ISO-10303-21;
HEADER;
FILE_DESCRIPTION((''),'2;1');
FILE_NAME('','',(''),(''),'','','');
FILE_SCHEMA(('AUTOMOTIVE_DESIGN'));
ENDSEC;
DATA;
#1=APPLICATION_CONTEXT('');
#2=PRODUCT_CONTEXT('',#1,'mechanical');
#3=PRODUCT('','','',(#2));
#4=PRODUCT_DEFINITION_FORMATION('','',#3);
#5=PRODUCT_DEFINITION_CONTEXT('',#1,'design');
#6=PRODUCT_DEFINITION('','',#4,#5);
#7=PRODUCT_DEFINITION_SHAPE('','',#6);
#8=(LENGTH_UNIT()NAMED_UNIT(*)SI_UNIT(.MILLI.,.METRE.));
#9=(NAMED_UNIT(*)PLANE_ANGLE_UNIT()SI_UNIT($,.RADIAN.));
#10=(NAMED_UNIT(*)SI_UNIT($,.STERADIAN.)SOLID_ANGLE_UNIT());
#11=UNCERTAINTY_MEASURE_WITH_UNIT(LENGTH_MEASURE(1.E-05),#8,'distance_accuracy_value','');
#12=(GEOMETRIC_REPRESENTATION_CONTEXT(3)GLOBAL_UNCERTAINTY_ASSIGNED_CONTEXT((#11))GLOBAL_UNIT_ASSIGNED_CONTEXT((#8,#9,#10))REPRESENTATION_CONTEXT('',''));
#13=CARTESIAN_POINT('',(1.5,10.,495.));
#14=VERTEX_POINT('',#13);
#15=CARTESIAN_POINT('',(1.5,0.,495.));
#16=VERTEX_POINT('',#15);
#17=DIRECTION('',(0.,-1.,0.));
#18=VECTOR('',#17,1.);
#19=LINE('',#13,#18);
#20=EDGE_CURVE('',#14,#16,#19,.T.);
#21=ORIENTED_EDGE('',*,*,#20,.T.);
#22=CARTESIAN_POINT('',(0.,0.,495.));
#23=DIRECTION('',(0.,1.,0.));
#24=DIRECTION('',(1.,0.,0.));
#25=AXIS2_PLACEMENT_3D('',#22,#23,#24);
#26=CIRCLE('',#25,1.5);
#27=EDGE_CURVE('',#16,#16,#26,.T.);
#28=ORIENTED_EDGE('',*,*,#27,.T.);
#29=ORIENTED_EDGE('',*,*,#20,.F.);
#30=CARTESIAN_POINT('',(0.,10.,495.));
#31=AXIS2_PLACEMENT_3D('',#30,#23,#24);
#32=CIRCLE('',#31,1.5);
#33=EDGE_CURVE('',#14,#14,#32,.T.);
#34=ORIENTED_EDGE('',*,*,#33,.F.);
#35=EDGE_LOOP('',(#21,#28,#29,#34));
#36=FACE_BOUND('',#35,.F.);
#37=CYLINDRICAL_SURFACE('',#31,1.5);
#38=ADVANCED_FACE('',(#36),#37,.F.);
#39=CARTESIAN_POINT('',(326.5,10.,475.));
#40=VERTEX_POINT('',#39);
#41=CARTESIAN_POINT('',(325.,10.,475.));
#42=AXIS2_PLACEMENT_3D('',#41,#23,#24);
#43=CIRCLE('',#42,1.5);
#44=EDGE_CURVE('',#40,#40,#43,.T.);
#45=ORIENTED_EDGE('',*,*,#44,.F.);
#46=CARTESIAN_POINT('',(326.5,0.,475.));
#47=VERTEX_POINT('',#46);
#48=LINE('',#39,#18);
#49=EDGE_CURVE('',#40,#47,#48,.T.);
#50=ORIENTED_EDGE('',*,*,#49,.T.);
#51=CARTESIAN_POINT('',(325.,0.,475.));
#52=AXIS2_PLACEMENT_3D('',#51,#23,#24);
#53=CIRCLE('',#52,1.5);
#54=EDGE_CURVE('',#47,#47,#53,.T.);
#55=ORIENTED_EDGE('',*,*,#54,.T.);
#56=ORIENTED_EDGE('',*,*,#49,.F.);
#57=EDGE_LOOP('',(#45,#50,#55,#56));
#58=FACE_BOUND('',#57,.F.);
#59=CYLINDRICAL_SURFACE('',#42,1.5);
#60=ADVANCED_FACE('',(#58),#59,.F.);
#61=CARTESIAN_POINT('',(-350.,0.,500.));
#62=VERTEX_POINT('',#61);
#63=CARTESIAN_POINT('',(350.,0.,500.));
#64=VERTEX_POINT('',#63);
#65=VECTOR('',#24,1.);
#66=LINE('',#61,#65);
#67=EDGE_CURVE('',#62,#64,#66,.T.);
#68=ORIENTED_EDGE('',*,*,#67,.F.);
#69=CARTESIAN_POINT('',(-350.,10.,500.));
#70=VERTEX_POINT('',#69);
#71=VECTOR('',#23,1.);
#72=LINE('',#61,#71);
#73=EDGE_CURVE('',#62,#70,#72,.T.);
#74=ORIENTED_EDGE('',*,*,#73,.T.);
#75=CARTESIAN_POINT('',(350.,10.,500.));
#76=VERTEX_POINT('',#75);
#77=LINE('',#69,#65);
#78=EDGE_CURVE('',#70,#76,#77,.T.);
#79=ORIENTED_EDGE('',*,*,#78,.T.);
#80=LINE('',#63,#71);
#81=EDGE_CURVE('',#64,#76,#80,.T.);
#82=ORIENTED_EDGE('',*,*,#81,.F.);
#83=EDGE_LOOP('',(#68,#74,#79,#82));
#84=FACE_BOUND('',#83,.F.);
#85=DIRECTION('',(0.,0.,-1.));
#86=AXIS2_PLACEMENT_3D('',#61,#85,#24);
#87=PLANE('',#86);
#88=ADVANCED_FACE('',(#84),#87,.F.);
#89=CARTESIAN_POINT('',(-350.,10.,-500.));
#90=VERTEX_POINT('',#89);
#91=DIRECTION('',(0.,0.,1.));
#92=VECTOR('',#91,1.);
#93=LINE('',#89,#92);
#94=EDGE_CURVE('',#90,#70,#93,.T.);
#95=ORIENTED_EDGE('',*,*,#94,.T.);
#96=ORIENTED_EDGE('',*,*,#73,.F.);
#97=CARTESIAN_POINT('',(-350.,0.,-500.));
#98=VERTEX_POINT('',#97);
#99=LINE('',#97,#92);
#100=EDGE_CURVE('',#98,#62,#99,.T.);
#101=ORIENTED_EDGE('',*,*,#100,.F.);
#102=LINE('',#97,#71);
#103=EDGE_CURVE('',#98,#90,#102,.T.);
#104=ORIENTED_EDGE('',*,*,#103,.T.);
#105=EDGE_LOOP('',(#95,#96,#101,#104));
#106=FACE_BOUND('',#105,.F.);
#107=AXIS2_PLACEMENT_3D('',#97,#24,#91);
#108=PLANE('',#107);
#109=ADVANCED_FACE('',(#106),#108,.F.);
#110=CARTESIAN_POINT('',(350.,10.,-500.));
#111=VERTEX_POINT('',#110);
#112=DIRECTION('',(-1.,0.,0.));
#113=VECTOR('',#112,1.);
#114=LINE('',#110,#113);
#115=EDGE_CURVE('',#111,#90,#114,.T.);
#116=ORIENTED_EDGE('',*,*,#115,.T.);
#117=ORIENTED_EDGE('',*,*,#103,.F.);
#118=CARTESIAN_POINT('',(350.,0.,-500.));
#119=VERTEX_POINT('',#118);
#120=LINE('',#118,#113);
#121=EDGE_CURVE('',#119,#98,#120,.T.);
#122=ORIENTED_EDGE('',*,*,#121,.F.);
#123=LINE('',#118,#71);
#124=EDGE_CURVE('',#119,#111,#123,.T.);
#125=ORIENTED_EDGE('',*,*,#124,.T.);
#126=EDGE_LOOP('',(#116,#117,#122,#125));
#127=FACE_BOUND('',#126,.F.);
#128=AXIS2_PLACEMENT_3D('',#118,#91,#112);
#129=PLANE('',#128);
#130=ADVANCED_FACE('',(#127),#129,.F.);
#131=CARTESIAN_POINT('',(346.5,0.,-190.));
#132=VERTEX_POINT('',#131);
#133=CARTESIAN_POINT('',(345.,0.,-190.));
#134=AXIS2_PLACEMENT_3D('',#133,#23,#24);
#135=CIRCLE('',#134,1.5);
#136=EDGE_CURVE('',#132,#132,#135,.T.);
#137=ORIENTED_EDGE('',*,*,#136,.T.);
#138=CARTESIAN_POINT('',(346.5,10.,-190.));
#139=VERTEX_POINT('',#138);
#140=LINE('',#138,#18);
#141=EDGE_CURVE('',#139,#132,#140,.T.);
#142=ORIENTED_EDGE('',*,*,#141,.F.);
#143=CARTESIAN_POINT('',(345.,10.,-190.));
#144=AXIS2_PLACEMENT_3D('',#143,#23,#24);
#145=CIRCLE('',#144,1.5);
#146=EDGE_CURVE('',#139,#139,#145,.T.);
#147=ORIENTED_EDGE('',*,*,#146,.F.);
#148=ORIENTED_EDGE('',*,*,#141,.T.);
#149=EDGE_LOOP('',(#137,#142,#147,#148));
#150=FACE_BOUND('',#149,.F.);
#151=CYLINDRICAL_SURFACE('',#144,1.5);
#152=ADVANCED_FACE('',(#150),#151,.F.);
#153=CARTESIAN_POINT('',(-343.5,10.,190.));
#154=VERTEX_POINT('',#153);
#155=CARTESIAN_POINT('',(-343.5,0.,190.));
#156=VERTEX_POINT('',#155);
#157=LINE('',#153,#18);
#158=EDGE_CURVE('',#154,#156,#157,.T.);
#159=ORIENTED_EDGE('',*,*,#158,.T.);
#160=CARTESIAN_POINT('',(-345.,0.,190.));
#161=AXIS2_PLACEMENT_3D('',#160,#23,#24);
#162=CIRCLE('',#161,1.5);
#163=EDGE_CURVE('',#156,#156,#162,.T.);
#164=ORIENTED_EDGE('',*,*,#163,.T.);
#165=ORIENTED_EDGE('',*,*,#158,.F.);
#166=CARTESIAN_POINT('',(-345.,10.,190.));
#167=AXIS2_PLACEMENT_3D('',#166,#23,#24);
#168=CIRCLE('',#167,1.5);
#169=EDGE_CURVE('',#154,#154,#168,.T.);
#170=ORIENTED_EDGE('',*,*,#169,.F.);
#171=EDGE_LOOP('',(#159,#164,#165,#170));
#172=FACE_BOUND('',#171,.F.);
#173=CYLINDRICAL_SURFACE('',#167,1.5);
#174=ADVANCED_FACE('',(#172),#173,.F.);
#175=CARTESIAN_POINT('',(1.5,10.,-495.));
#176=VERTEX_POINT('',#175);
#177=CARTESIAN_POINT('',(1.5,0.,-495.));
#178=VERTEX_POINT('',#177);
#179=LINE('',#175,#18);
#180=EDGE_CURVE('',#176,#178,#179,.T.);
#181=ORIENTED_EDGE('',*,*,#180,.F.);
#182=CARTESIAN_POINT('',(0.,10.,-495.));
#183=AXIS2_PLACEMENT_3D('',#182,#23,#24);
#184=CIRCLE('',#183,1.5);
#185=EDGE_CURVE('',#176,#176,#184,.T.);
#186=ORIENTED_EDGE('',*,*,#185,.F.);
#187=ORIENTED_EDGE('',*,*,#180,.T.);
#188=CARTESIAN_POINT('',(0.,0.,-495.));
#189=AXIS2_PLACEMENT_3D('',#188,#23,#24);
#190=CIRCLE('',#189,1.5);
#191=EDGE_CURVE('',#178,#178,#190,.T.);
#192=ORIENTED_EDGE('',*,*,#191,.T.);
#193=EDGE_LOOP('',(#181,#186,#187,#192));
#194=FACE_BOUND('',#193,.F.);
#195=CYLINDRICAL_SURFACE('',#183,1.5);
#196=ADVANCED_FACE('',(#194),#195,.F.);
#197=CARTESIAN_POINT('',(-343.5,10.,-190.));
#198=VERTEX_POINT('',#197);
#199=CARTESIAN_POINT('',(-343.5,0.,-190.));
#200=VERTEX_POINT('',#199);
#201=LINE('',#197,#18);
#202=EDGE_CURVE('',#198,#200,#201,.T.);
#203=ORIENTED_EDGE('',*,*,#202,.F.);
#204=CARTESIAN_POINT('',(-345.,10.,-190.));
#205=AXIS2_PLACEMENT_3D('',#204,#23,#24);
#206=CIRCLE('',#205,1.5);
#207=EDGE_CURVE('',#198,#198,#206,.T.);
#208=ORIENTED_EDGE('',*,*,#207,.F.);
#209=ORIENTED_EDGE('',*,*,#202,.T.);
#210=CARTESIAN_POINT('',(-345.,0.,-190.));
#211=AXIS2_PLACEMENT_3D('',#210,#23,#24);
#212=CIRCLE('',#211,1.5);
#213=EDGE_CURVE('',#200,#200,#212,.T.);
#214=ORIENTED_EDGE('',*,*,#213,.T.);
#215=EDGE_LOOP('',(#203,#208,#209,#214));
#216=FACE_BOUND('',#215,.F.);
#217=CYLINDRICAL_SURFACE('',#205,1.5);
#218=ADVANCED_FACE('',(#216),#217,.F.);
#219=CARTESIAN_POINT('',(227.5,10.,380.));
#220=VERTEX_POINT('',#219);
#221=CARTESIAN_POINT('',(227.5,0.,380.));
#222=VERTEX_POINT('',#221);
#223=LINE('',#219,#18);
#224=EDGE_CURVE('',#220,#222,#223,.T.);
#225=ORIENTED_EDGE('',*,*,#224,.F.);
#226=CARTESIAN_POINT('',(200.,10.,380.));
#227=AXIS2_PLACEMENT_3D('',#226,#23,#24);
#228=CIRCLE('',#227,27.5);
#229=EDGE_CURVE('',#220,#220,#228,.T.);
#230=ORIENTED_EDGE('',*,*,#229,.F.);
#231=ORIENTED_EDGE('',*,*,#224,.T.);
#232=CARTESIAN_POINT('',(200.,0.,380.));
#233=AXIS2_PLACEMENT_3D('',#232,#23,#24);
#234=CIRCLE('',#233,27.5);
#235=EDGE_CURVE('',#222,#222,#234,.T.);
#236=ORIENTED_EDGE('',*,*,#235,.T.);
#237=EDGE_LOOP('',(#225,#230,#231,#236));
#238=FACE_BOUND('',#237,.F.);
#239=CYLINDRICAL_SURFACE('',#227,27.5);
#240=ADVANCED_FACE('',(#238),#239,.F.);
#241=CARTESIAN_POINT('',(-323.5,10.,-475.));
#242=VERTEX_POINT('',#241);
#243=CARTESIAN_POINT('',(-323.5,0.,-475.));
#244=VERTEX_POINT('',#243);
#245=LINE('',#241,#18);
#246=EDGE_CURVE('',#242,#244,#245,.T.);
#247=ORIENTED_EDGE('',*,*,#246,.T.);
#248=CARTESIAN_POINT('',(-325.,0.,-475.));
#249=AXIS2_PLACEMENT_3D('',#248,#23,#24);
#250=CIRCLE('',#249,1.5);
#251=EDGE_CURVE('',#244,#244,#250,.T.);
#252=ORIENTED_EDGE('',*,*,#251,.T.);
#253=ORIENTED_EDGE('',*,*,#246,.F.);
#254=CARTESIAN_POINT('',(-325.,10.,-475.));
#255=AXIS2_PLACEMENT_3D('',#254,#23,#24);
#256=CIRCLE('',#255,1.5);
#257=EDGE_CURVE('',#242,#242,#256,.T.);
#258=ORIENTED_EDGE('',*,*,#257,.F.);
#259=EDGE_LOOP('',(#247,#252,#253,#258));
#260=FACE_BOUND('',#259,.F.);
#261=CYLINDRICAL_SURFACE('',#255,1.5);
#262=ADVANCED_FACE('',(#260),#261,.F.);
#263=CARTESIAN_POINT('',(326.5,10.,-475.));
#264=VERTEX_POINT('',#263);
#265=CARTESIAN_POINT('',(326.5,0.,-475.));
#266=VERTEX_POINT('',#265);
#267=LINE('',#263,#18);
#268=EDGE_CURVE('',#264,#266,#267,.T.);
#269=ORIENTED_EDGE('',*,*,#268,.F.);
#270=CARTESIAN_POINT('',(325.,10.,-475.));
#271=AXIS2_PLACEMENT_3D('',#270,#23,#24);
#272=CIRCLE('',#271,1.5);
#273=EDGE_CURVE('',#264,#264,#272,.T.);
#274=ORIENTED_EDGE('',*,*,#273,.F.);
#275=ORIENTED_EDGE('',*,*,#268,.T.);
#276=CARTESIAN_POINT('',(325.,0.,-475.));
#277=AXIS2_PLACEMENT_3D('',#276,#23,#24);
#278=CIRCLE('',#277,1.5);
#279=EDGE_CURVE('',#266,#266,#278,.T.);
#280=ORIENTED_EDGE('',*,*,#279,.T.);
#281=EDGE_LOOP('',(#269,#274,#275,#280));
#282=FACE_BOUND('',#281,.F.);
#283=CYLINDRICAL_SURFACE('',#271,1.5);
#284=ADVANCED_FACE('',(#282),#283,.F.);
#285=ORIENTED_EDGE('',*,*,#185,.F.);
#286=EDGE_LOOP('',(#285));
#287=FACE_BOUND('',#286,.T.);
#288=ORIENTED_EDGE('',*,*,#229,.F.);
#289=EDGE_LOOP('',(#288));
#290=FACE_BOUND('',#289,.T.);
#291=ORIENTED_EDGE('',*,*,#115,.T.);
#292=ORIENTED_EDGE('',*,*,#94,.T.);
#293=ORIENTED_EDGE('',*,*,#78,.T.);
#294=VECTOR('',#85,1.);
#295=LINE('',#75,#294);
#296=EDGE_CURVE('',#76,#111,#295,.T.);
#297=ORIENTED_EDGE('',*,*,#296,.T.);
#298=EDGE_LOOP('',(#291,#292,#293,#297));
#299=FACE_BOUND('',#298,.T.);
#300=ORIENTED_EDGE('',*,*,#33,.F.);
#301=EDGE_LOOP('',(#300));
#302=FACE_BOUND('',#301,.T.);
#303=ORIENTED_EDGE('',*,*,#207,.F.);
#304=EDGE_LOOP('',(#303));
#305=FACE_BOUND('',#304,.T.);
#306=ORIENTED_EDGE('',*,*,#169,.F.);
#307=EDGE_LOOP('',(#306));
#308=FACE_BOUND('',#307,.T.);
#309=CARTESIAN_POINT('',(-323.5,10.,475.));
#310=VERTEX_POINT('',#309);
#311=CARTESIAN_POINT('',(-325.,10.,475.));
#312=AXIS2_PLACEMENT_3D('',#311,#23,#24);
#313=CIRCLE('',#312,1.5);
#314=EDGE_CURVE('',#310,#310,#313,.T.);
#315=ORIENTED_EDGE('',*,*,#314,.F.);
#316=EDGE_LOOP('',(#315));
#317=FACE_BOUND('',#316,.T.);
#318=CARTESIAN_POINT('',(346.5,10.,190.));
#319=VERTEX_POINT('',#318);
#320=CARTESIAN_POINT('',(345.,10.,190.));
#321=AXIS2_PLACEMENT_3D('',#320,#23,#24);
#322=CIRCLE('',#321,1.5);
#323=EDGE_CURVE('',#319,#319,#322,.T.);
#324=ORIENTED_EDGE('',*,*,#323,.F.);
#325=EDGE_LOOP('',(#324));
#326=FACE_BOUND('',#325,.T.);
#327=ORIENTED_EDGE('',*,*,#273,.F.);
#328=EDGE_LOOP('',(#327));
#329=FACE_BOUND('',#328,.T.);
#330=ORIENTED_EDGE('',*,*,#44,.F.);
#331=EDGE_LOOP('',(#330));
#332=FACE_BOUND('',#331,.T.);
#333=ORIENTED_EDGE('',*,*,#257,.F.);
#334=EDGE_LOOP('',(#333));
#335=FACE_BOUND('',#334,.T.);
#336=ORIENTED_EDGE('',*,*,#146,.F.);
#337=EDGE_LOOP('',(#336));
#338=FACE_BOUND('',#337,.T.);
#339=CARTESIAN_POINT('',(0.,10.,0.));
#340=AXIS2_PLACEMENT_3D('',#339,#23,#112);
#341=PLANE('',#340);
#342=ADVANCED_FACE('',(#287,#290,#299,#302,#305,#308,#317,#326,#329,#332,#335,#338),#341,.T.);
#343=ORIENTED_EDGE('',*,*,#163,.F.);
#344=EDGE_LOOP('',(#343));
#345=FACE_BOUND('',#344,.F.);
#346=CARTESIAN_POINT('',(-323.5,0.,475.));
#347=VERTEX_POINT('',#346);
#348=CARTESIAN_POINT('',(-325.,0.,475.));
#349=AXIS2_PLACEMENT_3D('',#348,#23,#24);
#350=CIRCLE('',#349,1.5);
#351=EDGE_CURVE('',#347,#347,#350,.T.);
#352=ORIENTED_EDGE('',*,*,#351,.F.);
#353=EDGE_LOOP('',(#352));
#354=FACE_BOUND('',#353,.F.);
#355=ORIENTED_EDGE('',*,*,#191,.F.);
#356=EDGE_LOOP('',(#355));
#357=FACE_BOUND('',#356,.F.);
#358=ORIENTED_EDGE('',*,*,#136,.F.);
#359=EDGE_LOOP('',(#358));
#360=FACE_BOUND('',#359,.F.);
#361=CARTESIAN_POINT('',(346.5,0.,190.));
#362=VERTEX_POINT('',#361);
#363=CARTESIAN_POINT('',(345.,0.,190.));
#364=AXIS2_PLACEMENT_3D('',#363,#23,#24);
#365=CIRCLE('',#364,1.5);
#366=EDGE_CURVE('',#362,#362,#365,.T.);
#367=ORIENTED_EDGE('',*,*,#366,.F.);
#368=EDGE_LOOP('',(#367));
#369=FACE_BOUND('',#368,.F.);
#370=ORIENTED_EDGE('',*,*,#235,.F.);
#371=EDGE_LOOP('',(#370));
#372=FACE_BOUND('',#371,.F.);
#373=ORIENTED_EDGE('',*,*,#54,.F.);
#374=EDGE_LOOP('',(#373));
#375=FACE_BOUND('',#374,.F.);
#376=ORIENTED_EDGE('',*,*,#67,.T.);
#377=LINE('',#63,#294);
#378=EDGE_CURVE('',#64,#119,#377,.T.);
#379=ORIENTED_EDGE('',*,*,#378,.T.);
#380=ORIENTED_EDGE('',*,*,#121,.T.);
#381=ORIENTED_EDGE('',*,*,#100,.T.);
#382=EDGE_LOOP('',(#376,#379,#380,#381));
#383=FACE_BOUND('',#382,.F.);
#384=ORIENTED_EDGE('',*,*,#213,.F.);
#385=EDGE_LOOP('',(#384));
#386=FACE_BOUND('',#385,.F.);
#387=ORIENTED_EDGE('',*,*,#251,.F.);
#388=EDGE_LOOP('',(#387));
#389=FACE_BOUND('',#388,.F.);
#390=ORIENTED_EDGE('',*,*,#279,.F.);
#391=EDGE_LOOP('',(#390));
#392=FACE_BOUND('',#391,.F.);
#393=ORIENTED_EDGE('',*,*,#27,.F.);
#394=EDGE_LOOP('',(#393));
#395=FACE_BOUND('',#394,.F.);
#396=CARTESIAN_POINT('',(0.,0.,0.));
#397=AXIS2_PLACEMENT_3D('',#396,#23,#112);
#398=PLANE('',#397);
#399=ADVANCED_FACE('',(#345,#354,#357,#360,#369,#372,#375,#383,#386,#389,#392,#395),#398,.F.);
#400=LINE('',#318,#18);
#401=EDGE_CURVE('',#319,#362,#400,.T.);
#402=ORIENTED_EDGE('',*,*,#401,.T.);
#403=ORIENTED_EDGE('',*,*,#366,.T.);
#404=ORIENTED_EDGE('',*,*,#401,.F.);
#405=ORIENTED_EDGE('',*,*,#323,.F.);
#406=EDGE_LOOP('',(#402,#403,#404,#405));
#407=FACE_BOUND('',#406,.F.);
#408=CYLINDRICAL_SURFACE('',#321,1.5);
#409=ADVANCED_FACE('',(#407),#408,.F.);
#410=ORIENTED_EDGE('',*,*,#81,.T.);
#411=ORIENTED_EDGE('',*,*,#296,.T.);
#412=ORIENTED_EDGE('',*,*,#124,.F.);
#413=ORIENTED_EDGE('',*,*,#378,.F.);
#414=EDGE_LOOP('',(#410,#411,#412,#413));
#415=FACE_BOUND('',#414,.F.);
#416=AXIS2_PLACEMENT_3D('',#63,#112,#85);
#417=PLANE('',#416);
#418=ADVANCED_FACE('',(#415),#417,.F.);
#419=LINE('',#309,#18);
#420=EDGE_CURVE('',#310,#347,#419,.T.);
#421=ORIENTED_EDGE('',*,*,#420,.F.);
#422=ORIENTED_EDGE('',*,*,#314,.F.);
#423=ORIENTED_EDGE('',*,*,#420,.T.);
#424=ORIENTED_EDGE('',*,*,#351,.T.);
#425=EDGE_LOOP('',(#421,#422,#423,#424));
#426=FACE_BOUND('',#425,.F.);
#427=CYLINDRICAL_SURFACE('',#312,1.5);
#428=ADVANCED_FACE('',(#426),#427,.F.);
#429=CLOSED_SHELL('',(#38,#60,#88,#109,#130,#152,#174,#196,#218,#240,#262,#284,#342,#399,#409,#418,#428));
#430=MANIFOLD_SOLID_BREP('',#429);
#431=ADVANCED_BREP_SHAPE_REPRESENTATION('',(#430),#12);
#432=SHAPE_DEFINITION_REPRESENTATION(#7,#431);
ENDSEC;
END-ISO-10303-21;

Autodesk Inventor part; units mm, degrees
ref_plane "YZ Plane" through (0, 0, 0) normal (1, 0, 0) x (0, 1, 0)
ref_plane "XZ Plane" through (0, 0, 0) normal (0, 1, 0) x (-1, 0, 0)
ref_plane "XY Plane" through (0, 0, 0) normal (0, 0, 1) x (1, 0, 0)
sketch "Esquisse1" plane through (0, 0, 0) normal (0, 1, 0) x (-1, 0, 0)
  line L0 (350, 500) -> (-350, 500)
  line L1 (-350, 500) -> (-350, -500)
  line L2 (-350, -500) -> (350, -500)
  line L3 (350, -500) -> (350, 500)
  point P0 (0, 0)
  dimension "d0" = 1000
  dimension "d1" = 700
  dimension "d2" = 350
  dimension "d3" = 500
extrude "Extrusion1" add sketch "Esquisse1" along normal blind 10
sketch "Esquisse2" plane through (0, 10, 0) normal (0, 1, 0) x (1, 0, 0)
  point P0 (0, 0)
sketch "Esquisse3" plane through (0, 10, 0) normal (0, 1, 0) x (1, 0, 0)
  point P0 (0, 0)
sketch "Esquisse4" plane through (0, 10, 0) normal (0, 1, 0) x (1, 0, 0)
  circle A0 centre (200, -380) radius 27.5
  line L0 (-350, -500) -> (350, -500) projected
  line L1 (350, -500) -> (350, 500) projected
  point P0 (0, 0)
  dimension "d6" = 55
  dimension "d7" = 120
  dimension "d8" = 150
extrude "Extrusion2" cut sketch "Esquisse4" against normal through all
sketch "Esquisse5" plane through (0, 10, 0) normal (0, 1, 0) x (1, 0, 0)
  circle A0 centre (-325, -475) radius 1.5
  circle A1 centre (325, -475) radius 1.5
  circle A2 centre (325, 475) radius 1.5
  circle A3 centre (-325, 475) radius 1.5
  line L0 (350, 500) -> (-350, 500) projected
  line L1 (350, -500) -> (350, 500) projected
  line L2 (-350, 500) -> (-350, -500) projected
  line L3 (-350, -500) -> (350, -500) projected
  circle A4 centre (-345, -190) radius 1.5
  circle A5 centre (-345, 190) radius 1.5
  circle A6 centre (0, -495) radius 1.5
  circle A7 centre (0, 495) radius 1.5
  circle A8 centre (345, -190) radius 1.5
  circle A9 centre (345, 190) radius 1.5
  point P0 (0, 0)
  dimension "d11" = 3
  dimension "d12" = 3
  dimension "d13" = 3
  dimension "d14" = 3
  dimension "d15" = 25
  dimension "d16" = 25
  dimension "d17" = 25
  dimension "d18" = 25
  dimension "d19" = 25
  dimension "d20" = 25
  dimension "d21" = 25
  dimension "d22" = 25
  dimension "d23" = 3
  dimension "d24" = 3
  dimension "d25" = 3
  dimension "d26" = 3
  dimension "d27" = 3
  dimension "d28" = 3
  dimension "d29" = 5
  dimension "d30" = 5
  dimension "d31" = 5
  dimension "d32" = 5
  dimension "d33" = 5
  dimension "d34" = 5
  dimension "d35" = 350
  dimension "d36" = 350
  dimension "d37" = 190
  dimension "d38" = 190
  dimension "d39" = 190
  dimension "d40" = 190
extrude "Extrusion3" cut sketch "Esquisse5" against normal through all contours A0 | A1 | A2 | A3 | A4 | A5 | A6 | A7 | A8 | A9
equation "\"d0\" = Longueur_Plateau"
equation "\"d1\" = Largeur_Plateau"
equation "\"d2\" = 0.5 * d1"
equation "\"d3\" = 0.5 * d0"
equation "\"d12\" = d11"
equation "\"d13\" = d11"
equation "\"d14\" = d11"
equation "\"d16\" = d15"
equation "\"d17\" = d15"
equation "\"d18\" = d15"
equation "\"d19\" = d15"
equation "\"d20\" = d15"
equation "\"d21\" = d15"
equation "\"d22\" = d15"
equation "\"d24\" = d23"
equation "\"d25\" = d23"
equation "\"d26\" = d23"
equation "\"d27\" = d23"
equation "\"d28\" = d23"
equation "\"d30\" = d29"
equation "\"d31\" = d29"
equation "\"d32\" = d29"
equation "\"d33\" = d29"
equation "\"d34\" = d29"
equation "\"d38\" = d37"
equation "\"d39\" = d37"
equation "\"d40\" = d37"
equation "\"Longueur_Plateau\" = 1000"
equation "\"Largeur_Plateau\" = 700"
properties part number "Plateau" material "Bois (bouleau)"
